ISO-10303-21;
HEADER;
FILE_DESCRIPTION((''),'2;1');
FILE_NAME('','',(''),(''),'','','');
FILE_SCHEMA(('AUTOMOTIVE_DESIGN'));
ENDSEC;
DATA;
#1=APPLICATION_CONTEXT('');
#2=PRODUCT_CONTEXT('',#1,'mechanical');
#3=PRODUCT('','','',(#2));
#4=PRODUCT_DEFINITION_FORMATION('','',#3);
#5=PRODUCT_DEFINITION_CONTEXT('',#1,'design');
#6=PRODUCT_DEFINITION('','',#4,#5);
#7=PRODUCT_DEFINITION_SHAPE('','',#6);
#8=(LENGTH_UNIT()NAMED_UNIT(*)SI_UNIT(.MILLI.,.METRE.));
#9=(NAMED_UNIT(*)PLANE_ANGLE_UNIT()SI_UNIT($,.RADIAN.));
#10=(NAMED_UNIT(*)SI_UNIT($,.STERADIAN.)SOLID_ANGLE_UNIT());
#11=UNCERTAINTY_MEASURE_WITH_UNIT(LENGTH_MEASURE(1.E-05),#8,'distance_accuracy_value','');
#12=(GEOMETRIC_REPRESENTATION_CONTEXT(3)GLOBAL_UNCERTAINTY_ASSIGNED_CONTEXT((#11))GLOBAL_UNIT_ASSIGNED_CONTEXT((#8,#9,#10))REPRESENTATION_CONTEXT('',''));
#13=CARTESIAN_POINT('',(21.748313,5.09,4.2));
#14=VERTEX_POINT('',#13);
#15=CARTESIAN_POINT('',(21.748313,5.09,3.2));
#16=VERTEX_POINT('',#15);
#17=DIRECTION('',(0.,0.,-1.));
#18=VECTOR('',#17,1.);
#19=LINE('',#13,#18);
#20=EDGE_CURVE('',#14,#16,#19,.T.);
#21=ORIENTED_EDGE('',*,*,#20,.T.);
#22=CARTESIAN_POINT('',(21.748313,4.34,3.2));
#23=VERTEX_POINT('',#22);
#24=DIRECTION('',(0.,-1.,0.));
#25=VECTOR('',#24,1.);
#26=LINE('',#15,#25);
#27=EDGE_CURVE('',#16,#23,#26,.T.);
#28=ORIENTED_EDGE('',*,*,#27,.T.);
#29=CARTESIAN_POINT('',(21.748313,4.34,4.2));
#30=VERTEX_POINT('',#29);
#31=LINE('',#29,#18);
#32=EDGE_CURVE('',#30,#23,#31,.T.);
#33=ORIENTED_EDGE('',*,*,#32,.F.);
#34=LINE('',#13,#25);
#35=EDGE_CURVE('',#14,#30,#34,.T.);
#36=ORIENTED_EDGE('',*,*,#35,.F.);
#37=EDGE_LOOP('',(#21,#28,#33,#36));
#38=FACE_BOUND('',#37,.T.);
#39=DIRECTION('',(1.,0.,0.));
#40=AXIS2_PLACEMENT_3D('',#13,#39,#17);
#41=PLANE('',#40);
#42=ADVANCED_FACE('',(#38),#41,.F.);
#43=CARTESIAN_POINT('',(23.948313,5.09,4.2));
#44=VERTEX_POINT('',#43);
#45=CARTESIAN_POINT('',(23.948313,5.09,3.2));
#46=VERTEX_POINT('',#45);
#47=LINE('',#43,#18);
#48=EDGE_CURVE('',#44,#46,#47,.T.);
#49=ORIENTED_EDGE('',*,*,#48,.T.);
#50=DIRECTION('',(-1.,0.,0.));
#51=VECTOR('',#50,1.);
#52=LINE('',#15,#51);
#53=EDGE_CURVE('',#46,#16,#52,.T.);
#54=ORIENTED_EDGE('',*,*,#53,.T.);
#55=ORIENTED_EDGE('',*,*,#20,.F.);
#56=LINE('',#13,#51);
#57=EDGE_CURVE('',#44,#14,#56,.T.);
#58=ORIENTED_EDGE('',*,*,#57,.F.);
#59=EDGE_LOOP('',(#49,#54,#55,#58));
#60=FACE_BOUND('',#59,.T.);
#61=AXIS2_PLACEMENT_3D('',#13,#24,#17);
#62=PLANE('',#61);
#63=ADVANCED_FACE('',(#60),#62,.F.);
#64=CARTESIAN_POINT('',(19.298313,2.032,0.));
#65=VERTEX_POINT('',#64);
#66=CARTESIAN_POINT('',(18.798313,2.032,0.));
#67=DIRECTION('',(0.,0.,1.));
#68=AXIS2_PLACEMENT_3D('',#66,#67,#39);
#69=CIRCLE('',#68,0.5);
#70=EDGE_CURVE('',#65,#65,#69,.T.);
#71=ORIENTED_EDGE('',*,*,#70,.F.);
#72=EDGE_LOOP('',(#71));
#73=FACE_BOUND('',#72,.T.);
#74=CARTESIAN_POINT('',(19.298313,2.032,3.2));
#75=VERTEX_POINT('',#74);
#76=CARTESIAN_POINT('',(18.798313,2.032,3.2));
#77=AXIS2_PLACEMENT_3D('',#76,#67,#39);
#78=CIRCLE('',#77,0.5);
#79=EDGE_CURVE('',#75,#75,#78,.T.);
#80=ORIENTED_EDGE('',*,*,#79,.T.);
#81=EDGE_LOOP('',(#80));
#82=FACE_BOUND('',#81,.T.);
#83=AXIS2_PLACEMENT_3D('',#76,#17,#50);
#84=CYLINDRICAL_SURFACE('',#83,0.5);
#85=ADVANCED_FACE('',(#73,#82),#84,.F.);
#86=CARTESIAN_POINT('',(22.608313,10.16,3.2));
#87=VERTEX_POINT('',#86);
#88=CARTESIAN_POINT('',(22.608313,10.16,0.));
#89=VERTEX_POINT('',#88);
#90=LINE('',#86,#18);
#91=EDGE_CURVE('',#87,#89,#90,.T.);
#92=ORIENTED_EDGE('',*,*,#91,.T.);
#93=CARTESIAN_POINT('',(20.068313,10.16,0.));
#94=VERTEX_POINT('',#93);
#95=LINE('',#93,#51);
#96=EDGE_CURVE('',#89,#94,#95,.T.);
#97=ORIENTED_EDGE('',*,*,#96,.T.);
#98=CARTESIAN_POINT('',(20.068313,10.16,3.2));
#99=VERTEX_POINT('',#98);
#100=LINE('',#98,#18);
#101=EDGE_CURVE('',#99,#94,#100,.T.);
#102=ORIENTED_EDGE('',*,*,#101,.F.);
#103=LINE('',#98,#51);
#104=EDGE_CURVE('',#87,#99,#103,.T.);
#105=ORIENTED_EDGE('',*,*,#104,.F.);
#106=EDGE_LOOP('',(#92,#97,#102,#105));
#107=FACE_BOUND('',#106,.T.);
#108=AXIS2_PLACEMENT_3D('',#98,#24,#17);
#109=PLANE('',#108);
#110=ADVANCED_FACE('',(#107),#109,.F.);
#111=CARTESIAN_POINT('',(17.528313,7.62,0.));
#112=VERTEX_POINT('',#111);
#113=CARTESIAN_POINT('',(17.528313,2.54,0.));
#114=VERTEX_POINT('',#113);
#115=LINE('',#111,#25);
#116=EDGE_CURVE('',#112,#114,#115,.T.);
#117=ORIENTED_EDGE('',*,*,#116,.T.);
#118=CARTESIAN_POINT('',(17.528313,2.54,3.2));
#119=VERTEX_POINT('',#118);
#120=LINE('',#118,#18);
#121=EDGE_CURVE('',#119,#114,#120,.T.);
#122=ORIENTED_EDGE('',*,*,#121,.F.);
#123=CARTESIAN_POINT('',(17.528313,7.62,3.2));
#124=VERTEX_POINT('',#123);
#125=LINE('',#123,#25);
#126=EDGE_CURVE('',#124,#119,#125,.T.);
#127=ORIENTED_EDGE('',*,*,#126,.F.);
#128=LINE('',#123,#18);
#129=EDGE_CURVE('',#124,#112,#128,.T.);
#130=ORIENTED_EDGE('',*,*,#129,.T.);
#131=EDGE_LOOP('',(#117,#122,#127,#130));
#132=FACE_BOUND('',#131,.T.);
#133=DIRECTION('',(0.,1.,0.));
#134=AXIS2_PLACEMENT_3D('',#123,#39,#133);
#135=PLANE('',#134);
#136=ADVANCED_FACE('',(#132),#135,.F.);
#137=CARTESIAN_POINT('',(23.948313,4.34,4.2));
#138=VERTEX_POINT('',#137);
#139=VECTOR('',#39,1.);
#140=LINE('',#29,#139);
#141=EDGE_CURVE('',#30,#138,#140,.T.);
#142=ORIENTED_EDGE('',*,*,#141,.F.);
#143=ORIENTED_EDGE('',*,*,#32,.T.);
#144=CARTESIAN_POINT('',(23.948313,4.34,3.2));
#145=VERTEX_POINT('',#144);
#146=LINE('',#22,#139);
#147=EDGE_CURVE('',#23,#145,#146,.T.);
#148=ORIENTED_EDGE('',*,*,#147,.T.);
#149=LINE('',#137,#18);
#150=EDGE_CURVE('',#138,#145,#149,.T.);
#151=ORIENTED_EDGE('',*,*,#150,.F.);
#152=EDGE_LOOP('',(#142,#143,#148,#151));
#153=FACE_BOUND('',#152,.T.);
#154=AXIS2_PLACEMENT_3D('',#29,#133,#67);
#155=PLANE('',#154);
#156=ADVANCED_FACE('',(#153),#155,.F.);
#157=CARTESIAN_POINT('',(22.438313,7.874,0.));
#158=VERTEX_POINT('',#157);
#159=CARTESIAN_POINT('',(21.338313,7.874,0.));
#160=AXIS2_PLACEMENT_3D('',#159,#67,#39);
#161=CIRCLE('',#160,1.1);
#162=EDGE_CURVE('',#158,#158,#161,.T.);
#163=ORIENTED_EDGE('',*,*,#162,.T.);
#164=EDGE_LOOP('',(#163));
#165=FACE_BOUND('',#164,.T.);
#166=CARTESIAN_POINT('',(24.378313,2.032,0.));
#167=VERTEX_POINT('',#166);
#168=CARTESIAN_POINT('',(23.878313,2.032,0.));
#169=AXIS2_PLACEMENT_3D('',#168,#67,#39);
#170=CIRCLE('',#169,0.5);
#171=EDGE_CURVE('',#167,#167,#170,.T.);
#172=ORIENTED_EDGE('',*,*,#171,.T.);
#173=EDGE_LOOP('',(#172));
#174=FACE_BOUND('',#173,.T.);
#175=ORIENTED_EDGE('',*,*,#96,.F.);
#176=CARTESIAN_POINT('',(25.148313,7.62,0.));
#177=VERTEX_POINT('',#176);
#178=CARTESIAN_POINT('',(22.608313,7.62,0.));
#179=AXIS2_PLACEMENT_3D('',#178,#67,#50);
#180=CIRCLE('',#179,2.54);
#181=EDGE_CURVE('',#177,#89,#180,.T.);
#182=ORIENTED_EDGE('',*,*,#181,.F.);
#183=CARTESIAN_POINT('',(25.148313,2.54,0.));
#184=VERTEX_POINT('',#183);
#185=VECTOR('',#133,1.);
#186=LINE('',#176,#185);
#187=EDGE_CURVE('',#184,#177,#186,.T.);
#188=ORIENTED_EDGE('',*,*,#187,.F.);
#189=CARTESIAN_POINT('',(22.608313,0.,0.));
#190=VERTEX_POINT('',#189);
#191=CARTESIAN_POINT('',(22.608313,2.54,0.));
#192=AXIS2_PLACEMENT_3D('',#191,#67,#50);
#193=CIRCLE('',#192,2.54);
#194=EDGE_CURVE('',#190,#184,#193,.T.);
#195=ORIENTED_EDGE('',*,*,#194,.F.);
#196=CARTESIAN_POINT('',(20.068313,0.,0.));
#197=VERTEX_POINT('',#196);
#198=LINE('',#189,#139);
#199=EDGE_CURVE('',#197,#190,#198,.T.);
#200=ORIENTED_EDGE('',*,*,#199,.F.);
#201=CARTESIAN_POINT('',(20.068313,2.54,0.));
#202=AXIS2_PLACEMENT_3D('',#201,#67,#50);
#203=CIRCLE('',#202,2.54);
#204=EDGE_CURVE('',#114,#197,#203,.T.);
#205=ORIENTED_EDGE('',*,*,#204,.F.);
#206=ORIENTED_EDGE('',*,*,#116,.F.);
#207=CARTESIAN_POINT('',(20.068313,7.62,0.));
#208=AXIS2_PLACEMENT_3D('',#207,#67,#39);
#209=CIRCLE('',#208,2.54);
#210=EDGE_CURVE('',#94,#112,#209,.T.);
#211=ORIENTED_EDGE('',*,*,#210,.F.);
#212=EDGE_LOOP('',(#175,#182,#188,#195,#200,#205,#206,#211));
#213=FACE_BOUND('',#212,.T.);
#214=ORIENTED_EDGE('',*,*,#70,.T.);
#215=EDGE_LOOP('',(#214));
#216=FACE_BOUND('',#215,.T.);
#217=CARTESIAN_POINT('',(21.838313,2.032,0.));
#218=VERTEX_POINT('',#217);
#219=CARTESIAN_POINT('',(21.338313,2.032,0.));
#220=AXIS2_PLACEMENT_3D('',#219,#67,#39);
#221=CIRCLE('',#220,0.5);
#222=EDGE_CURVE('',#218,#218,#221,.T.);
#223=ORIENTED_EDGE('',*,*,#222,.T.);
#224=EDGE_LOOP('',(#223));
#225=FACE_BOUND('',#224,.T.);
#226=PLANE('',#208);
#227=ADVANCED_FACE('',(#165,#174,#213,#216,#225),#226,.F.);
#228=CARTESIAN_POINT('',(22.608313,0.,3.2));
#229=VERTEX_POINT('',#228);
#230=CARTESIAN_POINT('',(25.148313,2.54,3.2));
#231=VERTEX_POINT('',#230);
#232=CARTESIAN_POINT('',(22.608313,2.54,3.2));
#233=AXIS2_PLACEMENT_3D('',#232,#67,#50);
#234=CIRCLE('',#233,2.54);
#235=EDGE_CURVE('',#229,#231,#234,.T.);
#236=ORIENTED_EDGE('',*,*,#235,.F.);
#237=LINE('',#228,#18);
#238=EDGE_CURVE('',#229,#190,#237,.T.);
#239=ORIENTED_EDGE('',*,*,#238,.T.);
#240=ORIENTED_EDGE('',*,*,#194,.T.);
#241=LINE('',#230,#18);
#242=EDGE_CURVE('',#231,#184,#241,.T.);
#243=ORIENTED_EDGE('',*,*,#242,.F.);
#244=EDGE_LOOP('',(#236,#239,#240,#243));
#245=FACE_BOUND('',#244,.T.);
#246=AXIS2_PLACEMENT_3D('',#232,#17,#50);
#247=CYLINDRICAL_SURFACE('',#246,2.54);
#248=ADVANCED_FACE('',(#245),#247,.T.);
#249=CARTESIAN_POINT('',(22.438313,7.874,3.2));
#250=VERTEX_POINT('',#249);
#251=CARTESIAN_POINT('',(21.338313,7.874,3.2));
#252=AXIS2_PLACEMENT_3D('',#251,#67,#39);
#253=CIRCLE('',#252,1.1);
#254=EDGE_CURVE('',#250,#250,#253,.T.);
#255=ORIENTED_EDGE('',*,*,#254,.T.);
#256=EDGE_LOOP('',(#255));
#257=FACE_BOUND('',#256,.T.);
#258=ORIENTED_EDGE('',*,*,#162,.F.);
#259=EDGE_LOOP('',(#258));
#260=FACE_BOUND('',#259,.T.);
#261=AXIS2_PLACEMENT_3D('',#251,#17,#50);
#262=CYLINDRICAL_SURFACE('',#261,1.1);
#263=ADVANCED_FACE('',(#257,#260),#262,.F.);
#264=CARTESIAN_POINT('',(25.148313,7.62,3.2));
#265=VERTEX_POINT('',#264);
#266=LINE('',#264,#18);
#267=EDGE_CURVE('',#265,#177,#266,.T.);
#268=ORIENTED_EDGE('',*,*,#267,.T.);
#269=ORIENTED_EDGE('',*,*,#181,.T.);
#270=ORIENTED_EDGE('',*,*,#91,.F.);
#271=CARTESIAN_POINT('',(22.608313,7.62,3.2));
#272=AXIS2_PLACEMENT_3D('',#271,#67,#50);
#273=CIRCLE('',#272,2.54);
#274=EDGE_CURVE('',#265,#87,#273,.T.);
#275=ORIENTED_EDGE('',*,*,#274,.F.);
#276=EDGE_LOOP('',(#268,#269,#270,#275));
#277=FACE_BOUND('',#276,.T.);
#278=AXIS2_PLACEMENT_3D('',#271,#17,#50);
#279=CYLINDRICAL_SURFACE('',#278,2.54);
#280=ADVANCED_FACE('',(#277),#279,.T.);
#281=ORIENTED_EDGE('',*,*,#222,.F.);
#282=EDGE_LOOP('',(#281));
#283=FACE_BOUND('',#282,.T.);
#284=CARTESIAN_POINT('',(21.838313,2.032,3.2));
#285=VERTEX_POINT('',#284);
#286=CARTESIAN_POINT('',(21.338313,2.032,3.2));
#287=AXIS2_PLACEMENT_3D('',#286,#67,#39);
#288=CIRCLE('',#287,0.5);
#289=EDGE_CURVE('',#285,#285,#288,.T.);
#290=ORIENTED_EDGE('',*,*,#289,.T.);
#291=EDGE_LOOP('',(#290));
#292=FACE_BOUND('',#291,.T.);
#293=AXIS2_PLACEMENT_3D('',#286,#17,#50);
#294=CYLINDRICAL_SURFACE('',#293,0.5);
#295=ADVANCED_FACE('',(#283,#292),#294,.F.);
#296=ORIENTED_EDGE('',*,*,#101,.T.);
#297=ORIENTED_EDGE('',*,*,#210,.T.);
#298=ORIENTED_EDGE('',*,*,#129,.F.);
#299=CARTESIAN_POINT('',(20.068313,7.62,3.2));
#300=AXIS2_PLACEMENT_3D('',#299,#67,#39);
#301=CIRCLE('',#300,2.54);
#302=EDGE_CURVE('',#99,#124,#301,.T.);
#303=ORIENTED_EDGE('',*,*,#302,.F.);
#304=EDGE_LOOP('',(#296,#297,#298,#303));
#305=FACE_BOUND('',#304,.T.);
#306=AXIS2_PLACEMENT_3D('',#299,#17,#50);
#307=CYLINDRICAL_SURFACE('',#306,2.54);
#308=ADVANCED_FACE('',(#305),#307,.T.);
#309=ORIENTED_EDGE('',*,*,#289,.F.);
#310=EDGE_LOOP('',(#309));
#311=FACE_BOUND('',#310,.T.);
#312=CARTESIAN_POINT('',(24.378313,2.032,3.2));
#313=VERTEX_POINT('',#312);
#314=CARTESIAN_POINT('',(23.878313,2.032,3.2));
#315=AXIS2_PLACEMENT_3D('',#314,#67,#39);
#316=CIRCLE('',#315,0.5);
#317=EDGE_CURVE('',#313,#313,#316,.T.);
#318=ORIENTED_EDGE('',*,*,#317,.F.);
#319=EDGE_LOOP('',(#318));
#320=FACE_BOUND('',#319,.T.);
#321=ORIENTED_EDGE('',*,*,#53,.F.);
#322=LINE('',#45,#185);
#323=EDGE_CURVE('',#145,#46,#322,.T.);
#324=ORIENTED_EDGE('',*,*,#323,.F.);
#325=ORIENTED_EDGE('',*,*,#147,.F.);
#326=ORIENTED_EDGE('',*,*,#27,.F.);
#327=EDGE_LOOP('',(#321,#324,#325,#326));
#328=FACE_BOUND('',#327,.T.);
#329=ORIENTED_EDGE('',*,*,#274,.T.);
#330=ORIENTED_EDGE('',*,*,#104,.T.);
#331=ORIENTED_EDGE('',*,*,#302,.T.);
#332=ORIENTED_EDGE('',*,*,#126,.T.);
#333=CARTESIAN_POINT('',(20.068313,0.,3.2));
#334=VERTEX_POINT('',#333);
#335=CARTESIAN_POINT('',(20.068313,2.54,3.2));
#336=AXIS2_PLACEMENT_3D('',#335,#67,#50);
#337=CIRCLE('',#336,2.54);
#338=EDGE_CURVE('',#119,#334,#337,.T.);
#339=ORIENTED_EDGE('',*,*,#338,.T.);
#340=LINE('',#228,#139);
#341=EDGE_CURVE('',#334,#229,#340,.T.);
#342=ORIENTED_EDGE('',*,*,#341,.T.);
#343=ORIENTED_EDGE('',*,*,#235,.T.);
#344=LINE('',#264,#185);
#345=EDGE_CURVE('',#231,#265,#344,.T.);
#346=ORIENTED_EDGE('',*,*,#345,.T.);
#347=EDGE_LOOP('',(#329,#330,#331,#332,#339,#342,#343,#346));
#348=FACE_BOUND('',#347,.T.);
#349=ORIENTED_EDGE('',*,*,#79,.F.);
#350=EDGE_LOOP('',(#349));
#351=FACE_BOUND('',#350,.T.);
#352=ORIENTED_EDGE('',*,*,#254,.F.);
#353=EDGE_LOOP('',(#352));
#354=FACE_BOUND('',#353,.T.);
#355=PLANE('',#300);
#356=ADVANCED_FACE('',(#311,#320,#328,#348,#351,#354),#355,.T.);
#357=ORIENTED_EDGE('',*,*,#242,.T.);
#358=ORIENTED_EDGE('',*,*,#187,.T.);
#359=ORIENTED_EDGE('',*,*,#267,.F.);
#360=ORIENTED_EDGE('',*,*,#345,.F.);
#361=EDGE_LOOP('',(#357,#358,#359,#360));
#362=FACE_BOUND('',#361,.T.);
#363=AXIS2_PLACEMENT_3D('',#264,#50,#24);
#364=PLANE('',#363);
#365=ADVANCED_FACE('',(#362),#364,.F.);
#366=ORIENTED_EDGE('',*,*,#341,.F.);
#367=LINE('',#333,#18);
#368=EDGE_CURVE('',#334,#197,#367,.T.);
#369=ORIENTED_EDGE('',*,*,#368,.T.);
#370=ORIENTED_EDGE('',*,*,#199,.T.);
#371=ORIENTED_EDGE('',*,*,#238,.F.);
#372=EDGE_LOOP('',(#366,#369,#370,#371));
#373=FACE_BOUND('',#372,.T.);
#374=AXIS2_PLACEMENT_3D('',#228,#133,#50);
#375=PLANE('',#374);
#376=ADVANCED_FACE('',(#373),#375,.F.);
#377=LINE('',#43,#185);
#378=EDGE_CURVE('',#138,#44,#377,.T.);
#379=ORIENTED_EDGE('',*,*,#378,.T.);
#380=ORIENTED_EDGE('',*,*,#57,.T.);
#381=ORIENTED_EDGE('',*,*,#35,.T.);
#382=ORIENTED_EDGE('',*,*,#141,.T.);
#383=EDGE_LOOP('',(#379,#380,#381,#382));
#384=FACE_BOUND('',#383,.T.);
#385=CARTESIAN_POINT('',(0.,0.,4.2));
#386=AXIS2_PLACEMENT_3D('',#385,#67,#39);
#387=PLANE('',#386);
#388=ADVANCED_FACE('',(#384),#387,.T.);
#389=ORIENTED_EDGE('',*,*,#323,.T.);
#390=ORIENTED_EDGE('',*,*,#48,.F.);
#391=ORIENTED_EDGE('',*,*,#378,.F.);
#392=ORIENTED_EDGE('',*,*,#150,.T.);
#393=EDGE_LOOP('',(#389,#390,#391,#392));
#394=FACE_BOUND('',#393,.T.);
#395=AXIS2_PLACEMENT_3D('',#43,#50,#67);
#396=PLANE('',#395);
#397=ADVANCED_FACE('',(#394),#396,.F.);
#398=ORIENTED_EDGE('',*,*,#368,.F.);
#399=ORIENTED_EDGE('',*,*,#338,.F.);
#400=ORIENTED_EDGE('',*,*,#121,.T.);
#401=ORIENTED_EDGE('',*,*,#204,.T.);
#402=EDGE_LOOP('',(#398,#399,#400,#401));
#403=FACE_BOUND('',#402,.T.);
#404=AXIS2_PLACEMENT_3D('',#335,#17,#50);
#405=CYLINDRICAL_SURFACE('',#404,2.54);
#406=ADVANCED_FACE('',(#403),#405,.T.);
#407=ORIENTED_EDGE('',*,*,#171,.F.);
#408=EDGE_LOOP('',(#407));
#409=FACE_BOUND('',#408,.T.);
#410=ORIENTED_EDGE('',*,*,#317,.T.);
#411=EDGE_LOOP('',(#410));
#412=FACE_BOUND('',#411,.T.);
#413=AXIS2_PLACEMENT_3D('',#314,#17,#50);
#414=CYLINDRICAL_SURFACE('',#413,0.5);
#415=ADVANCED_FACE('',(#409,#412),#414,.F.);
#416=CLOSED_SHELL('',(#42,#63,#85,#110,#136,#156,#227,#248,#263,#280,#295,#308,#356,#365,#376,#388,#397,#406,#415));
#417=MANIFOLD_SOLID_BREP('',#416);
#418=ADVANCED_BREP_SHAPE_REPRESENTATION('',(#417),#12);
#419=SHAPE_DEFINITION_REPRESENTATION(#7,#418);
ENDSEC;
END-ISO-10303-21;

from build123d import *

# Parameters (mm, degrees)
ESQUISSE1_R        = 0.5
ESQUISSE1_R_2      = 1.1
BOSS_EXTRU_1_DEPTH = 3.2
ESQUISSE2_W        = 2.2
ESQUISSE2_H        = 0.75
BOSS_EXTRU_2_DEPTH = 1


with BuildPart() as part:
    # Esquisse1 → Boss.-Extru.1 (new body)
    with BuildSketch(Plane.XY):
        with BuildLine():
            Line((20.068312942, 10.16), (22.608312942, 10.16))
            ThreePointArc((22.608312942, 10.16), (24.404364166, 9.416051224), (25.148312942, 7.62))
            Line((25.148312942, 7.62), (25.148312942, 2.54))
            ThreePointArc((25.148312942, 2.54), (24.404364166, 0.743948776), (22.608312942, 0))
            Line((22.608312942, 0), (20.068312942, 0))
            ThreePointArc((20.068312942, 0), (18.272261718, 0.743948776), (17.528312942, 2.54))
            Line((17.528312942, 2.54), (17.528312942, 7.62))
            ThreePointArc((17.528312942, 7.62), (18.272261718, 9.416051224), (20.068312942, 10.16))
        make_face()
        with Locations((18.798312942, 2.032)):
            Circle(ESQUISSE1_R, mode=Mode.SUBTRACT)
        with Locations((21.338312942, 2.032)):
            Circle(ESQUISSE1_R, mode=Mode.SUBTRACT)
        with Locations((23.878312942, 2.032)):
            Circle(ESQUISSE1_R, mode=Mode.SUBTRACT)
        with Locations((21.338312942, 7.874)):
            Circle(ESQUISSE1_R_2, mode=Mode.SUBTRACT)
    extrude(amount=BOSS_EXTRU_1_DEPTH)

    # Esquisse2 → Boss.-Extru.2 (add)
    with BuildSketch(Plane.XY.offset(3.2)):
        with Locations((22.848312942, 4.715)):
            Rectangle(ESQUISSE2_W, ESQUISSE2_H)
    extrude(amount=BOSS_EXTRU_2_DEPTH)


solid = part.part
